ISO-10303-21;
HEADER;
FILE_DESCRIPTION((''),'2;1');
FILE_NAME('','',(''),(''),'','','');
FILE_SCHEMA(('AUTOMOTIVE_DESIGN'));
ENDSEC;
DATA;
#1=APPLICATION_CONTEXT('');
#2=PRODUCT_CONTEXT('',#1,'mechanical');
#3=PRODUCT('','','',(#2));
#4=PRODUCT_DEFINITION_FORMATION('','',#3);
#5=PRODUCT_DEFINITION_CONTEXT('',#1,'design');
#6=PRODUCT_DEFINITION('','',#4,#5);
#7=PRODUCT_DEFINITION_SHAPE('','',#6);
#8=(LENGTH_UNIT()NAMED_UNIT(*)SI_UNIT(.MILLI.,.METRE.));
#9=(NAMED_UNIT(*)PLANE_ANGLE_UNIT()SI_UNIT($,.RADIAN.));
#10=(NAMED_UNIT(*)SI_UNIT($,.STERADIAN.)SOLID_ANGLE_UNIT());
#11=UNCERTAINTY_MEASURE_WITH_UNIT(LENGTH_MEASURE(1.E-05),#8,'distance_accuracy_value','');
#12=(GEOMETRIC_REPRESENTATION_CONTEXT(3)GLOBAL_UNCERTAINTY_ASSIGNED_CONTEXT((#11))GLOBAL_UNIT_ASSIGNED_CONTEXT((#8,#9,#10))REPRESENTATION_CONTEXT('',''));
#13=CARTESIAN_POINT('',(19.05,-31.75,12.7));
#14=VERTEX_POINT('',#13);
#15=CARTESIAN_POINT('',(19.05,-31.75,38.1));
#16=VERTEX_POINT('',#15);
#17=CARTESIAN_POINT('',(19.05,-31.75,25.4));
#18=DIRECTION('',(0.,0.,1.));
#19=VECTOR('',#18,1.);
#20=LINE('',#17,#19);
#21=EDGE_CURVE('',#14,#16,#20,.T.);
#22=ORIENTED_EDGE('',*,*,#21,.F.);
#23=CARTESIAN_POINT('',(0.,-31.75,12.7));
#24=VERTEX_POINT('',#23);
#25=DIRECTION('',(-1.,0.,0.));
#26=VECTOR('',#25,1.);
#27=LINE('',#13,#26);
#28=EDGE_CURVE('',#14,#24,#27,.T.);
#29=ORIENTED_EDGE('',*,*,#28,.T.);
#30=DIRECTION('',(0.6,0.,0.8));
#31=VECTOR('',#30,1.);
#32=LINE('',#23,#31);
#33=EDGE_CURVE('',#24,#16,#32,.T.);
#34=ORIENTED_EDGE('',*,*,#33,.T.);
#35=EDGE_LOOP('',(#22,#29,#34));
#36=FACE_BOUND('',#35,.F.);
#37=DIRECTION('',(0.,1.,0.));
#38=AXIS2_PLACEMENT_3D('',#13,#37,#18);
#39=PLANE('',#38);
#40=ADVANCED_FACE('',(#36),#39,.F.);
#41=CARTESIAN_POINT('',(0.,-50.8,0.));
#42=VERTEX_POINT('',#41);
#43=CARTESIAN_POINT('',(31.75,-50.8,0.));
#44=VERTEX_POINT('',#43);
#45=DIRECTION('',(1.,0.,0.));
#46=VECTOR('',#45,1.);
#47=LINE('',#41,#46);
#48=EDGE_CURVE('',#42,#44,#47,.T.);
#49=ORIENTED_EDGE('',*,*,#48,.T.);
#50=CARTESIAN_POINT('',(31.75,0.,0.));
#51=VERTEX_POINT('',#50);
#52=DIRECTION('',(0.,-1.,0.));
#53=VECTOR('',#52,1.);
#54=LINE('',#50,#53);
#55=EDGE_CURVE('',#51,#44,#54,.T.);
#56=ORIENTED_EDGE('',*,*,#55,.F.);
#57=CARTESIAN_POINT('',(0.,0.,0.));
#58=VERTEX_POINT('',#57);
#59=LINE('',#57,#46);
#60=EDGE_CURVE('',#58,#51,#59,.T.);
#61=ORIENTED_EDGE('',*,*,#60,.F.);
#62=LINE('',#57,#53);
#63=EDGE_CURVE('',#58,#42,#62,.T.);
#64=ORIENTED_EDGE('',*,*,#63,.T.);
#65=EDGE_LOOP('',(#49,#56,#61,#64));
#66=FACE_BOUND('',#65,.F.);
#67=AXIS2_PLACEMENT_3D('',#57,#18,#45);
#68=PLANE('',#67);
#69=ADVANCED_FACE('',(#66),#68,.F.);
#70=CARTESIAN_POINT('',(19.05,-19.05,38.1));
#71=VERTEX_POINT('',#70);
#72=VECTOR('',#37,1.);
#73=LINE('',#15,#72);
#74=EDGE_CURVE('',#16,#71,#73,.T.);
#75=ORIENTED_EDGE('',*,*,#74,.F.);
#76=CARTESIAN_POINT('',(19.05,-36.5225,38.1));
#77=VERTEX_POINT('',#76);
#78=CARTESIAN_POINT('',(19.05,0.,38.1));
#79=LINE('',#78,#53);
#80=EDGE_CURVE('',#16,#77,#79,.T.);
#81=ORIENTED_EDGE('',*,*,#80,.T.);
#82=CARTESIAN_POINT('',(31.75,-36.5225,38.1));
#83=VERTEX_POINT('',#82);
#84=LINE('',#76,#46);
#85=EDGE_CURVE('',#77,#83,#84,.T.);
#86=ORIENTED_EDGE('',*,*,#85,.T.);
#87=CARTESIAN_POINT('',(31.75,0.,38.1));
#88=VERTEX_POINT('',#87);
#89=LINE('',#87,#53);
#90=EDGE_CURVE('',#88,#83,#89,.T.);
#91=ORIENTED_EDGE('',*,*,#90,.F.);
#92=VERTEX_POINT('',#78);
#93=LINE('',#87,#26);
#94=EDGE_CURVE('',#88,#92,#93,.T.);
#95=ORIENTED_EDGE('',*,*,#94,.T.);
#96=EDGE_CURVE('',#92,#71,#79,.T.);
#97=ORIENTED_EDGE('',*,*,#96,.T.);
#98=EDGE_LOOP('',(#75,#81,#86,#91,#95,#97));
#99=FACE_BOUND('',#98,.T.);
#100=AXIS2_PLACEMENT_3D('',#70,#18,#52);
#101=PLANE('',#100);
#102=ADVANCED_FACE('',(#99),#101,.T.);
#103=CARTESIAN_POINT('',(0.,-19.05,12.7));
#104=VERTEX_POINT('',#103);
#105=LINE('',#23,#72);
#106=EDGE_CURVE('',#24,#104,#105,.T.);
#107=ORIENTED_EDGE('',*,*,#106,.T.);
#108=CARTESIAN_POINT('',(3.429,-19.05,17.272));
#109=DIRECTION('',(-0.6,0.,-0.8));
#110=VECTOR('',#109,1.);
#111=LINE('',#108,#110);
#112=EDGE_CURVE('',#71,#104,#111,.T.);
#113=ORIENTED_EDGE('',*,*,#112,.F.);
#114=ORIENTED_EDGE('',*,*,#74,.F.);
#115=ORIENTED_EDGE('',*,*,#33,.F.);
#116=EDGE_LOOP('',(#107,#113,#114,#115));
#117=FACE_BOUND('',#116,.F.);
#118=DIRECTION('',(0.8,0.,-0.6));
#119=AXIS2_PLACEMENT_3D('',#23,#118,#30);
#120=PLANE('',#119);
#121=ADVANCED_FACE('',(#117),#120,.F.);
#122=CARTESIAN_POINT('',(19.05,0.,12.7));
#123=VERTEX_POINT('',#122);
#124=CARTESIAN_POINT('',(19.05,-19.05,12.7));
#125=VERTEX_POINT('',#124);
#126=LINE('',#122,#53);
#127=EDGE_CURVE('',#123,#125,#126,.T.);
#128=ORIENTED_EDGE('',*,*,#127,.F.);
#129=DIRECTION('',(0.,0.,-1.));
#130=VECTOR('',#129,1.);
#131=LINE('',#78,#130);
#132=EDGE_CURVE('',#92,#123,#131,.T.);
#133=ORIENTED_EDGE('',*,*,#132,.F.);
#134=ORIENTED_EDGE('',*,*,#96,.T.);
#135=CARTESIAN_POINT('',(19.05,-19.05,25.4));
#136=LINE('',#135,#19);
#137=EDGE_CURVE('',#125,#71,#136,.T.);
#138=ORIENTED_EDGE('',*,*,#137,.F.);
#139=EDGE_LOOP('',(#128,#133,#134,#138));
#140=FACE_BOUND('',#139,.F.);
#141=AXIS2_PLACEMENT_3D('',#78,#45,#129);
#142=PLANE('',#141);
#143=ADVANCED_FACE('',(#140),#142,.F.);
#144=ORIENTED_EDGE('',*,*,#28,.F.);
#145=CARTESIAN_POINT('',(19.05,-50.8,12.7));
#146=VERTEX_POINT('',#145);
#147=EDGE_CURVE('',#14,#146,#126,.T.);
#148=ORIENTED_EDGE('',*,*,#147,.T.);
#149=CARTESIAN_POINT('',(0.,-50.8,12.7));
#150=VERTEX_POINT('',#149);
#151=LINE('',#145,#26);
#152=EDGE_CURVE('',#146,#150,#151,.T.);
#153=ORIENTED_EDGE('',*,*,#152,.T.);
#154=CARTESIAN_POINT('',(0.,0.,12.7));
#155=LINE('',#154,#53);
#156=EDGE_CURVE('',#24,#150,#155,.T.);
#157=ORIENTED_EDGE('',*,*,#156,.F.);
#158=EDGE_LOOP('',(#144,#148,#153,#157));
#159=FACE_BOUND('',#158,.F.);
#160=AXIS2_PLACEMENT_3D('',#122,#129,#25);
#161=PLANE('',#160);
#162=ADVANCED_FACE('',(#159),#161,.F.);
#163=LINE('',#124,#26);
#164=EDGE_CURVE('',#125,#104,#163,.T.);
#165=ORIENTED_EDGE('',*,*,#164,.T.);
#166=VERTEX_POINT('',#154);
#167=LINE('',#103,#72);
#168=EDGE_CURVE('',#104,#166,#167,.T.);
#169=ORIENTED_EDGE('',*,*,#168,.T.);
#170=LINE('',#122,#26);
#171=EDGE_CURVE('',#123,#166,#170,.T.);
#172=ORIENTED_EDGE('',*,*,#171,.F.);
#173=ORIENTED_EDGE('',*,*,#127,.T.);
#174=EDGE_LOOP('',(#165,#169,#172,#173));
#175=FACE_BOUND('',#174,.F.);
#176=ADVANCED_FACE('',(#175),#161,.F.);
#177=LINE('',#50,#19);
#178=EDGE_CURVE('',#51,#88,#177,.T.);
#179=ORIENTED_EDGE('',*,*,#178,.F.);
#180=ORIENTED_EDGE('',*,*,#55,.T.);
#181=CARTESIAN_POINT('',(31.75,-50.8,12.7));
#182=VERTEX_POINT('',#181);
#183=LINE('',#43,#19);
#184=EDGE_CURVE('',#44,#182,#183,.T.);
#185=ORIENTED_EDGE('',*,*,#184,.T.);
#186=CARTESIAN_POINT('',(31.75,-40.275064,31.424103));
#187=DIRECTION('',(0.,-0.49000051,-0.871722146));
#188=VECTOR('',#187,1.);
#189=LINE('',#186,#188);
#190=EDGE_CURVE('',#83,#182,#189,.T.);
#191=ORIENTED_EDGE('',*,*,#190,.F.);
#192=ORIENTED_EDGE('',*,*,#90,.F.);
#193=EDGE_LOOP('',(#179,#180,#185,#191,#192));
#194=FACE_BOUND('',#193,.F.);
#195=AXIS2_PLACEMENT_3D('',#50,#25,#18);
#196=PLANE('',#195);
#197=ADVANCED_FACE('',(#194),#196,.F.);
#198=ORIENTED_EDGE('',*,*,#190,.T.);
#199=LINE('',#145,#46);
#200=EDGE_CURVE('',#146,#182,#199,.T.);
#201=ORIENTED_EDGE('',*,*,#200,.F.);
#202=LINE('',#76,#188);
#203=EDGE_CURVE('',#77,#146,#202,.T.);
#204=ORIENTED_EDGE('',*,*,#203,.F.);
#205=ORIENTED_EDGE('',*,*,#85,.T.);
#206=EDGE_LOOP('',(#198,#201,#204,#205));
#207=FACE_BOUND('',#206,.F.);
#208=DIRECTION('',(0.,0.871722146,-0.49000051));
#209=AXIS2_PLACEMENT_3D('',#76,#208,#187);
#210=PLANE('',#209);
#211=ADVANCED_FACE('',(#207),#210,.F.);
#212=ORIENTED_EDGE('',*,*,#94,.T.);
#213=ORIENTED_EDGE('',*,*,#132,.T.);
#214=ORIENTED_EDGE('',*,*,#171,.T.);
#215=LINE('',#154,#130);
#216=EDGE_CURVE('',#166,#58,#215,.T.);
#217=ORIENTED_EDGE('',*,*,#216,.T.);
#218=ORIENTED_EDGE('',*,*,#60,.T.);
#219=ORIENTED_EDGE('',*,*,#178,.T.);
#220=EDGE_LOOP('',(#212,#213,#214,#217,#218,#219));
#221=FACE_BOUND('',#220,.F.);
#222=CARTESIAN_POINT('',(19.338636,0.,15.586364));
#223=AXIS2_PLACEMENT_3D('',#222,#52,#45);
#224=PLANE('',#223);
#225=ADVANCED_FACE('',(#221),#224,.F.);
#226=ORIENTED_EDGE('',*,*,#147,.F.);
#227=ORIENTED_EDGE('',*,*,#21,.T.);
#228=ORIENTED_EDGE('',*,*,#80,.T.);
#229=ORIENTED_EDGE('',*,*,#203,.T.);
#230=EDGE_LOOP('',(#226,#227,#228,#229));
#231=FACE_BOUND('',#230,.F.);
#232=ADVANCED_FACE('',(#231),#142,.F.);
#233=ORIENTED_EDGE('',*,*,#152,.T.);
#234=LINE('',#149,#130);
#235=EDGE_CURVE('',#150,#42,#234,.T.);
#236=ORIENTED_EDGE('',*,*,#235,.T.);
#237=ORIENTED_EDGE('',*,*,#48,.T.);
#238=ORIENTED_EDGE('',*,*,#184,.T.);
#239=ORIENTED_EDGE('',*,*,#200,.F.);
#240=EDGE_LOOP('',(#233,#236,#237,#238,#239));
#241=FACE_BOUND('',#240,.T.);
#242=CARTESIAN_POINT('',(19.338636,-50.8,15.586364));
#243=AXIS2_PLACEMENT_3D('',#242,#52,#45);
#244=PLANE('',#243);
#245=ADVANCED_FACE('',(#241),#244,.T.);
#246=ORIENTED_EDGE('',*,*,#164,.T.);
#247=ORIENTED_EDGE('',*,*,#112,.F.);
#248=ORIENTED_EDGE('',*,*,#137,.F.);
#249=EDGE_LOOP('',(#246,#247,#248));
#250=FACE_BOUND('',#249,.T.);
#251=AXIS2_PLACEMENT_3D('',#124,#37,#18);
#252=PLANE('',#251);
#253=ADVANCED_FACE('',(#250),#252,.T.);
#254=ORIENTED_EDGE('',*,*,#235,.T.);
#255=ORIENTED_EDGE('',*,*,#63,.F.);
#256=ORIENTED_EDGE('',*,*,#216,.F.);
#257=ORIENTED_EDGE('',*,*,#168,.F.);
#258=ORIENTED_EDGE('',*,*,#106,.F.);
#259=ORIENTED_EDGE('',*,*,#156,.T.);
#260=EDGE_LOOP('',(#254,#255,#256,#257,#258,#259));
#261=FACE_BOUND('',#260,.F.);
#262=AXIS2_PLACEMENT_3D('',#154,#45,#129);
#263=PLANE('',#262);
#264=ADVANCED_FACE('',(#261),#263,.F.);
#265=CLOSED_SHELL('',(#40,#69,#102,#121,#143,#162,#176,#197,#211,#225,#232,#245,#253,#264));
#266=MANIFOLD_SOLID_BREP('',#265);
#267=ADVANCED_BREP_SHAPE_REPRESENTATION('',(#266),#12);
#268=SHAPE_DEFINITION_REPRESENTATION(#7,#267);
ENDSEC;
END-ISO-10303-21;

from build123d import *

# Parameters (mm, degrees)
F1_DEPTH = 50.8
F3_DEPTH = 25.4
F4_W     = 12.7
F4_H     = 25.4
F5_DEPTH = 19.05
F7_DEPTH = 25.4


with BuildPart() as f1:
    # F0 (on Front) → F1 (new body)
    with BuildSketch(Plane.XZ):
        Polygon((0, 12.7), (0, 0), (31.75, 0), (31.75, 38.1), (19.05, 38.1), (19.05, 12.7), align=None)
    extrude(amount=F1_DEPTH)

    # F2 (on face) → F3 (cut)
    with BuildSketch(Plane(origin=(19.05, 0, 0), x_dir=(0, -1, 0), z_dir=(-1, 0, 0))):
        Polygon((36.5225, 38.1), (50.8, 12.7), (50.8, 38.1), align=None)
    extrude(amount=-F3_DEPTH, mode=Mode.SUBTRACT)

    # F4 (on face) → F5 (join)
    with BuildSketch(Plane(origin=(19.05, 0, 0), x_dir=(0, -1, 0), z_dir=(-1, 0, 0))):
        with Locations((25.4, 25.4)):
            Rectangle(F4_W, F4_H)
    extrude(amount=F5_DEPTH)

    # F6 (on face) → F7 (cut)
    with BuildSketch(Plane.XZ.offset(31.75)):
        Polygon((0, 12.7), (19.05, 38.1), (0, 38.1), align=None)
    extrude(amount=-F7_DEPTH, mode=Mode.SUBTRACT)


solid = f1.part
